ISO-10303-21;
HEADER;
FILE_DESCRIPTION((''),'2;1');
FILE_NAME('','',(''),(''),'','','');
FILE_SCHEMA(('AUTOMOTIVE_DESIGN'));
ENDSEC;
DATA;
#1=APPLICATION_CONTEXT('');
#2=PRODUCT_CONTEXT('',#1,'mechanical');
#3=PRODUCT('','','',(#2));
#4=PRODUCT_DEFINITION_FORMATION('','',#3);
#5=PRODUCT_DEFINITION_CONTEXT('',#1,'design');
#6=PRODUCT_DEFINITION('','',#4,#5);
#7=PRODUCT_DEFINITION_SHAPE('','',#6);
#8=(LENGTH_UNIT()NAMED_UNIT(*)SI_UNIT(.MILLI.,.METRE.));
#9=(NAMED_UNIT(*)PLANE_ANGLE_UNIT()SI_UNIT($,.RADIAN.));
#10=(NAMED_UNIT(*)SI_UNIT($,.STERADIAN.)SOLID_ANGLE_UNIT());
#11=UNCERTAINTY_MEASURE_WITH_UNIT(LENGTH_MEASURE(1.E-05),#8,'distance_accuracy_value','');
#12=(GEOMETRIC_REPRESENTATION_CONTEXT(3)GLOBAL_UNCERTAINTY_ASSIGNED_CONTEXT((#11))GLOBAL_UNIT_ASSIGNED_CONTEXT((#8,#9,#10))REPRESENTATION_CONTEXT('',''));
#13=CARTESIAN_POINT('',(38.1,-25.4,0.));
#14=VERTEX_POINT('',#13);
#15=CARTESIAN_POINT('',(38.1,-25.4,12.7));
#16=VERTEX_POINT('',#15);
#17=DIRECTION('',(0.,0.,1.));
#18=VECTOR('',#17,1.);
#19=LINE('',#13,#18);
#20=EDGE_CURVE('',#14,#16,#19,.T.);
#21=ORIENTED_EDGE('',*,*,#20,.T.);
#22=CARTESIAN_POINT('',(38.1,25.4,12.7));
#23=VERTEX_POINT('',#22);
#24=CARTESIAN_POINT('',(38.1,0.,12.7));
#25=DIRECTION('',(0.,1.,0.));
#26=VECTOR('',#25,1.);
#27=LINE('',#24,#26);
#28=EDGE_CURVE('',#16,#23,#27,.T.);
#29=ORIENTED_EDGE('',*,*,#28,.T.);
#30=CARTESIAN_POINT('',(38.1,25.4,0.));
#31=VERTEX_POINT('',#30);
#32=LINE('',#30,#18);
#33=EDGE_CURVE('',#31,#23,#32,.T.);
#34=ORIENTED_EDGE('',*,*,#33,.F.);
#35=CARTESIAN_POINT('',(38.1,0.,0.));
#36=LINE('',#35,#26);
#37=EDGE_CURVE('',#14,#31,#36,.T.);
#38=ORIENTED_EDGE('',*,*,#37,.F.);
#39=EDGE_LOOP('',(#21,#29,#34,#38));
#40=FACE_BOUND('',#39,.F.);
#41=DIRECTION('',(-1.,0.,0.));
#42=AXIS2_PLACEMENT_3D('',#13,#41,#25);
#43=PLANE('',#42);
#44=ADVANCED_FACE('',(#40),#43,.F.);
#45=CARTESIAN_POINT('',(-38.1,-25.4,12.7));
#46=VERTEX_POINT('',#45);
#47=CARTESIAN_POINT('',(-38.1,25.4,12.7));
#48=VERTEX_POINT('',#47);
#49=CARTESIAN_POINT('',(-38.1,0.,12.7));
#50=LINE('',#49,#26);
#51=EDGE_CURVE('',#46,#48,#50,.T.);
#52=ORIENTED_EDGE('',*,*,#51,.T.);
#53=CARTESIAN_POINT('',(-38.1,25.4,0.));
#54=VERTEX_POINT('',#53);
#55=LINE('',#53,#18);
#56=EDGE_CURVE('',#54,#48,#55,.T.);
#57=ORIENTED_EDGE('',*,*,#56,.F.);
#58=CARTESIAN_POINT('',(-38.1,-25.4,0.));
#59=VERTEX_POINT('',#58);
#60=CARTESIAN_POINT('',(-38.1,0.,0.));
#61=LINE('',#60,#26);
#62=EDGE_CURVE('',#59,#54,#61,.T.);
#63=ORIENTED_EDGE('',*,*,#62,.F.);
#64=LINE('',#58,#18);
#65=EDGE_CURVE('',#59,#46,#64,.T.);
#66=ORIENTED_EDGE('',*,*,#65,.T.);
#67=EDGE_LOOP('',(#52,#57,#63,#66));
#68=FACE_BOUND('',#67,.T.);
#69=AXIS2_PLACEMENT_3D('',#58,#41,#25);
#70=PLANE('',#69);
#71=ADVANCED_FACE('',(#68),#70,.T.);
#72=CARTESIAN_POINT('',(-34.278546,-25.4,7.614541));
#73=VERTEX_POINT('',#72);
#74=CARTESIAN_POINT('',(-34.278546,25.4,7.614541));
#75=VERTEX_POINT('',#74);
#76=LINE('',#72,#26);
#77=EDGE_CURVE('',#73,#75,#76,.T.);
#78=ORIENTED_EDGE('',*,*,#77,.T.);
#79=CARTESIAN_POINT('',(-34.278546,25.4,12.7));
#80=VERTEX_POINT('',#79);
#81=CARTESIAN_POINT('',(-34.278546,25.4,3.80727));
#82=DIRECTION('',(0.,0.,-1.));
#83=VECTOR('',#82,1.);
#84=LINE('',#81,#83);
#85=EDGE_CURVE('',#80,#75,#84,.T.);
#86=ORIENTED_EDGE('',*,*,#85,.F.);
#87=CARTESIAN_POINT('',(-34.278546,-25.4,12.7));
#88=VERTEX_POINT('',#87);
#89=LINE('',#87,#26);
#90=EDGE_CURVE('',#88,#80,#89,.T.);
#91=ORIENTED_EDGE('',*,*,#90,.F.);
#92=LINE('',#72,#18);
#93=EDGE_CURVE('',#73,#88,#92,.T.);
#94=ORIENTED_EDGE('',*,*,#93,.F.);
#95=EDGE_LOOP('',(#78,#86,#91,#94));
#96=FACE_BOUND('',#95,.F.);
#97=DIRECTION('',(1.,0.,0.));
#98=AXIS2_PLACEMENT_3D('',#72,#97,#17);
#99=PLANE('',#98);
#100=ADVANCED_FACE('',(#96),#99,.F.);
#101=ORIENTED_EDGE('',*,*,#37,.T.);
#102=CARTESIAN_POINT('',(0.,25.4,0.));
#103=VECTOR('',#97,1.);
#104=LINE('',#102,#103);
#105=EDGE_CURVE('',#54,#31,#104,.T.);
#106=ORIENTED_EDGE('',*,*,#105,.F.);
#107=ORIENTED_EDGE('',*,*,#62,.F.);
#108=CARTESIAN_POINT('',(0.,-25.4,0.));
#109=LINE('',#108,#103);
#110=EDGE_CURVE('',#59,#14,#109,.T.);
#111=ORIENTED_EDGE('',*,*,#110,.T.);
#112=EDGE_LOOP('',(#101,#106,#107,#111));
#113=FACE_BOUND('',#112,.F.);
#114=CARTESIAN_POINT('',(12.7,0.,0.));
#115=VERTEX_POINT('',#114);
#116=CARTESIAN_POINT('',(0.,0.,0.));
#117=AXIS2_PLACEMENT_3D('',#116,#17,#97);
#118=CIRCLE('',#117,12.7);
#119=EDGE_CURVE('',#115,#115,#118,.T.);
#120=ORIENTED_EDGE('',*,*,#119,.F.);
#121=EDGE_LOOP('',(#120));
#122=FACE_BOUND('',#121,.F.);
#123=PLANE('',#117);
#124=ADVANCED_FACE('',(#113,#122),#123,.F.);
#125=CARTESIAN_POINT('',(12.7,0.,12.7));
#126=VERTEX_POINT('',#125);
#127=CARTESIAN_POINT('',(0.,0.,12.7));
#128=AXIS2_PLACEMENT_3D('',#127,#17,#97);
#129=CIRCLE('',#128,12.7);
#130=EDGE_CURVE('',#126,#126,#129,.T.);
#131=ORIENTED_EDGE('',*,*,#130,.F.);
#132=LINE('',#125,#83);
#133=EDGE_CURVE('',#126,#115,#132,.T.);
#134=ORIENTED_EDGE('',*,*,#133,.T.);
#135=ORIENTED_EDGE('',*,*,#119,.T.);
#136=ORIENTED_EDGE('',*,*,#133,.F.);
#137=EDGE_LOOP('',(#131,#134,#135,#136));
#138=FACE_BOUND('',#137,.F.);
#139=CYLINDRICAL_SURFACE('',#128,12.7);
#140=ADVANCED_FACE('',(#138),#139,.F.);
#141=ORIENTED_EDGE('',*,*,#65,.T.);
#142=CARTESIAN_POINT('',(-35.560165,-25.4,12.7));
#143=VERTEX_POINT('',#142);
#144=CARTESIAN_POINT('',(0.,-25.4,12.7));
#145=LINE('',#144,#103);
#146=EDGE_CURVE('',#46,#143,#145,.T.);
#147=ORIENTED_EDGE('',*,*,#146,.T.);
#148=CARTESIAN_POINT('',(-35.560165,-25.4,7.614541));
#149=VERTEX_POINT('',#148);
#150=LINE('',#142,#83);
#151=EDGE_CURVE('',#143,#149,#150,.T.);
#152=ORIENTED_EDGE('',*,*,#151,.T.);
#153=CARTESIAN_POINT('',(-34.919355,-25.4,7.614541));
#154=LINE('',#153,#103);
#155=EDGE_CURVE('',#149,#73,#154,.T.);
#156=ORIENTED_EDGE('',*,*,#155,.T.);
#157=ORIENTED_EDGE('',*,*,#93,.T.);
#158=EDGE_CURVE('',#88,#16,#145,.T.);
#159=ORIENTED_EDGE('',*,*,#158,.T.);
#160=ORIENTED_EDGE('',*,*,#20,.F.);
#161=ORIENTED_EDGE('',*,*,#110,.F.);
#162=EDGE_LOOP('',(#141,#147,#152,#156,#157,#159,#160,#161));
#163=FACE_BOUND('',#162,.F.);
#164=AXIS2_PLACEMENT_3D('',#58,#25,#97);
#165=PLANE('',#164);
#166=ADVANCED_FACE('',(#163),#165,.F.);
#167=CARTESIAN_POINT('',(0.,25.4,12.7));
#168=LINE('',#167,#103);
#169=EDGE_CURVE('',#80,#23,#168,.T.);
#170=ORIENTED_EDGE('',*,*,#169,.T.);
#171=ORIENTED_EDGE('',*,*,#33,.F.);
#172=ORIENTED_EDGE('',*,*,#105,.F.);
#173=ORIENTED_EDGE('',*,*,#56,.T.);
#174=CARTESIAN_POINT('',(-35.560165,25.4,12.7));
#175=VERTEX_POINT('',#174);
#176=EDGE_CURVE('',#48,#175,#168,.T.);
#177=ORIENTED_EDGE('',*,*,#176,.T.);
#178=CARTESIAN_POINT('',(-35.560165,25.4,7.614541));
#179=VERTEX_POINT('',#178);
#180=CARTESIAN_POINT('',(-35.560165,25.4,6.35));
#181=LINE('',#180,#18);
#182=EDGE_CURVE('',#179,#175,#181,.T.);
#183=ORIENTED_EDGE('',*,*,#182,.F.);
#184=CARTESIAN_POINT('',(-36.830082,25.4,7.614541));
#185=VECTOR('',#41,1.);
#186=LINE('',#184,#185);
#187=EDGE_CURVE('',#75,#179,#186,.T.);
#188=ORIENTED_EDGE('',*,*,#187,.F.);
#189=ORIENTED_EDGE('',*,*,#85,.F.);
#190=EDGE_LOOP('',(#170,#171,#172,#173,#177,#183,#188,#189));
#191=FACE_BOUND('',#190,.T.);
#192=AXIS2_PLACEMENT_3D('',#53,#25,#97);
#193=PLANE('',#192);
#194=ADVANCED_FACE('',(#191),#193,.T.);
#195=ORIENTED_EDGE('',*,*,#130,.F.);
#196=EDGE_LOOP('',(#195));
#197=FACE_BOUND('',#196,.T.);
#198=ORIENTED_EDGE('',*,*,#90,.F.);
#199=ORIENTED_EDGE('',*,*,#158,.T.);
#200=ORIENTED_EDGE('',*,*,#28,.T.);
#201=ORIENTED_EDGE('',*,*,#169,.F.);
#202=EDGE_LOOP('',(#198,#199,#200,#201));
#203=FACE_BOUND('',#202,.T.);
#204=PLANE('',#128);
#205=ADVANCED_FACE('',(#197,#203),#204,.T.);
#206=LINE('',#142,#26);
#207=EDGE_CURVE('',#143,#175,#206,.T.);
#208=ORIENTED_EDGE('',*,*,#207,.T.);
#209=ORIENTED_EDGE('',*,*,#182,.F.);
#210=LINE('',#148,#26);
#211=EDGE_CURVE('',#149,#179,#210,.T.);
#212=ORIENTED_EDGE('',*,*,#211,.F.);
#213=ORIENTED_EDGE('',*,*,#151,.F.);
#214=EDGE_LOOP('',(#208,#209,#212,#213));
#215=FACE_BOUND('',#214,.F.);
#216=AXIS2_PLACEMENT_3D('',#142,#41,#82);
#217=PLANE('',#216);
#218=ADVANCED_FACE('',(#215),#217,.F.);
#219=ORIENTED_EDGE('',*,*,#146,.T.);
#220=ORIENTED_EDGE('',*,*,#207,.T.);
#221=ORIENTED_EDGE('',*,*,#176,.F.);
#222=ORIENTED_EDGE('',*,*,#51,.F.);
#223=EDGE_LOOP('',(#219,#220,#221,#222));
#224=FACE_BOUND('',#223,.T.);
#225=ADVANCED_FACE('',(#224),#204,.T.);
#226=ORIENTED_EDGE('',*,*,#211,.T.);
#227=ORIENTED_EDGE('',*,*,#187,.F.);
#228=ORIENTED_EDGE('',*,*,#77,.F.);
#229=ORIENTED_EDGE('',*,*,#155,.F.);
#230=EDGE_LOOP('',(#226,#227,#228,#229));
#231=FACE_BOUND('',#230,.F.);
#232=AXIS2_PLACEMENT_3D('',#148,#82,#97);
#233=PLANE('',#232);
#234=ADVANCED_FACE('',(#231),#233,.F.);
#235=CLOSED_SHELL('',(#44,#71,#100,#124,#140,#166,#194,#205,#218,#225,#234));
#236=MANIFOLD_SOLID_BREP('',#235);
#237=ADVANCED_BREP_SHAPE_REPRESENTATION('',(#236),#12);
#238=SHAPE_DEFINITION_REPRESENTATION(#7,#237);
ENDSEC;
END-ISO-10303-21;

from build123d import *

# Parameters (mm, degrees)
F0_W     = 76.2
F0_H     = 50.8
F1_DEPTH = 12.7
F2_R     = 12.7
F3_DEPTH = 25.4
F4_W     = 1.281619072
F4_H     = 0.3408930868
F4_H_2   = 4.7445660457
F5_DEPTH = 50.8508


with BuildPart() as f1:
    # F0 (on Top) → F1 (new body)
    with BuildSketch(Plane.XY):
        Rectangle(F0_W, F0_H)
    extrude(amount=F1_DEPTH)

    # F2 (on face) → F3 (cut)
    with BuildSketch(Plane.XY.offset(12.7)):
        Circle(F2_R)
    extrude(amount=-F3_DEPTH, mode=Mode.SUBTRACT)

    # F4 (on face) → F5 (cut)
    with BuildSketch(Plane.XZ.offset(25.4)):
        with Locations((-34.9193550646, 12.5295534566)):
            Rectangle(F4_W, F4_H)
        with Locations((-34.9193550646, 9.9868238904)):
            Rectangle(F4_W, F4_H_2)
    extrude(amount=-F5_DEPTH, mode=Mode.SUBTRACT)


solid = f1.part
